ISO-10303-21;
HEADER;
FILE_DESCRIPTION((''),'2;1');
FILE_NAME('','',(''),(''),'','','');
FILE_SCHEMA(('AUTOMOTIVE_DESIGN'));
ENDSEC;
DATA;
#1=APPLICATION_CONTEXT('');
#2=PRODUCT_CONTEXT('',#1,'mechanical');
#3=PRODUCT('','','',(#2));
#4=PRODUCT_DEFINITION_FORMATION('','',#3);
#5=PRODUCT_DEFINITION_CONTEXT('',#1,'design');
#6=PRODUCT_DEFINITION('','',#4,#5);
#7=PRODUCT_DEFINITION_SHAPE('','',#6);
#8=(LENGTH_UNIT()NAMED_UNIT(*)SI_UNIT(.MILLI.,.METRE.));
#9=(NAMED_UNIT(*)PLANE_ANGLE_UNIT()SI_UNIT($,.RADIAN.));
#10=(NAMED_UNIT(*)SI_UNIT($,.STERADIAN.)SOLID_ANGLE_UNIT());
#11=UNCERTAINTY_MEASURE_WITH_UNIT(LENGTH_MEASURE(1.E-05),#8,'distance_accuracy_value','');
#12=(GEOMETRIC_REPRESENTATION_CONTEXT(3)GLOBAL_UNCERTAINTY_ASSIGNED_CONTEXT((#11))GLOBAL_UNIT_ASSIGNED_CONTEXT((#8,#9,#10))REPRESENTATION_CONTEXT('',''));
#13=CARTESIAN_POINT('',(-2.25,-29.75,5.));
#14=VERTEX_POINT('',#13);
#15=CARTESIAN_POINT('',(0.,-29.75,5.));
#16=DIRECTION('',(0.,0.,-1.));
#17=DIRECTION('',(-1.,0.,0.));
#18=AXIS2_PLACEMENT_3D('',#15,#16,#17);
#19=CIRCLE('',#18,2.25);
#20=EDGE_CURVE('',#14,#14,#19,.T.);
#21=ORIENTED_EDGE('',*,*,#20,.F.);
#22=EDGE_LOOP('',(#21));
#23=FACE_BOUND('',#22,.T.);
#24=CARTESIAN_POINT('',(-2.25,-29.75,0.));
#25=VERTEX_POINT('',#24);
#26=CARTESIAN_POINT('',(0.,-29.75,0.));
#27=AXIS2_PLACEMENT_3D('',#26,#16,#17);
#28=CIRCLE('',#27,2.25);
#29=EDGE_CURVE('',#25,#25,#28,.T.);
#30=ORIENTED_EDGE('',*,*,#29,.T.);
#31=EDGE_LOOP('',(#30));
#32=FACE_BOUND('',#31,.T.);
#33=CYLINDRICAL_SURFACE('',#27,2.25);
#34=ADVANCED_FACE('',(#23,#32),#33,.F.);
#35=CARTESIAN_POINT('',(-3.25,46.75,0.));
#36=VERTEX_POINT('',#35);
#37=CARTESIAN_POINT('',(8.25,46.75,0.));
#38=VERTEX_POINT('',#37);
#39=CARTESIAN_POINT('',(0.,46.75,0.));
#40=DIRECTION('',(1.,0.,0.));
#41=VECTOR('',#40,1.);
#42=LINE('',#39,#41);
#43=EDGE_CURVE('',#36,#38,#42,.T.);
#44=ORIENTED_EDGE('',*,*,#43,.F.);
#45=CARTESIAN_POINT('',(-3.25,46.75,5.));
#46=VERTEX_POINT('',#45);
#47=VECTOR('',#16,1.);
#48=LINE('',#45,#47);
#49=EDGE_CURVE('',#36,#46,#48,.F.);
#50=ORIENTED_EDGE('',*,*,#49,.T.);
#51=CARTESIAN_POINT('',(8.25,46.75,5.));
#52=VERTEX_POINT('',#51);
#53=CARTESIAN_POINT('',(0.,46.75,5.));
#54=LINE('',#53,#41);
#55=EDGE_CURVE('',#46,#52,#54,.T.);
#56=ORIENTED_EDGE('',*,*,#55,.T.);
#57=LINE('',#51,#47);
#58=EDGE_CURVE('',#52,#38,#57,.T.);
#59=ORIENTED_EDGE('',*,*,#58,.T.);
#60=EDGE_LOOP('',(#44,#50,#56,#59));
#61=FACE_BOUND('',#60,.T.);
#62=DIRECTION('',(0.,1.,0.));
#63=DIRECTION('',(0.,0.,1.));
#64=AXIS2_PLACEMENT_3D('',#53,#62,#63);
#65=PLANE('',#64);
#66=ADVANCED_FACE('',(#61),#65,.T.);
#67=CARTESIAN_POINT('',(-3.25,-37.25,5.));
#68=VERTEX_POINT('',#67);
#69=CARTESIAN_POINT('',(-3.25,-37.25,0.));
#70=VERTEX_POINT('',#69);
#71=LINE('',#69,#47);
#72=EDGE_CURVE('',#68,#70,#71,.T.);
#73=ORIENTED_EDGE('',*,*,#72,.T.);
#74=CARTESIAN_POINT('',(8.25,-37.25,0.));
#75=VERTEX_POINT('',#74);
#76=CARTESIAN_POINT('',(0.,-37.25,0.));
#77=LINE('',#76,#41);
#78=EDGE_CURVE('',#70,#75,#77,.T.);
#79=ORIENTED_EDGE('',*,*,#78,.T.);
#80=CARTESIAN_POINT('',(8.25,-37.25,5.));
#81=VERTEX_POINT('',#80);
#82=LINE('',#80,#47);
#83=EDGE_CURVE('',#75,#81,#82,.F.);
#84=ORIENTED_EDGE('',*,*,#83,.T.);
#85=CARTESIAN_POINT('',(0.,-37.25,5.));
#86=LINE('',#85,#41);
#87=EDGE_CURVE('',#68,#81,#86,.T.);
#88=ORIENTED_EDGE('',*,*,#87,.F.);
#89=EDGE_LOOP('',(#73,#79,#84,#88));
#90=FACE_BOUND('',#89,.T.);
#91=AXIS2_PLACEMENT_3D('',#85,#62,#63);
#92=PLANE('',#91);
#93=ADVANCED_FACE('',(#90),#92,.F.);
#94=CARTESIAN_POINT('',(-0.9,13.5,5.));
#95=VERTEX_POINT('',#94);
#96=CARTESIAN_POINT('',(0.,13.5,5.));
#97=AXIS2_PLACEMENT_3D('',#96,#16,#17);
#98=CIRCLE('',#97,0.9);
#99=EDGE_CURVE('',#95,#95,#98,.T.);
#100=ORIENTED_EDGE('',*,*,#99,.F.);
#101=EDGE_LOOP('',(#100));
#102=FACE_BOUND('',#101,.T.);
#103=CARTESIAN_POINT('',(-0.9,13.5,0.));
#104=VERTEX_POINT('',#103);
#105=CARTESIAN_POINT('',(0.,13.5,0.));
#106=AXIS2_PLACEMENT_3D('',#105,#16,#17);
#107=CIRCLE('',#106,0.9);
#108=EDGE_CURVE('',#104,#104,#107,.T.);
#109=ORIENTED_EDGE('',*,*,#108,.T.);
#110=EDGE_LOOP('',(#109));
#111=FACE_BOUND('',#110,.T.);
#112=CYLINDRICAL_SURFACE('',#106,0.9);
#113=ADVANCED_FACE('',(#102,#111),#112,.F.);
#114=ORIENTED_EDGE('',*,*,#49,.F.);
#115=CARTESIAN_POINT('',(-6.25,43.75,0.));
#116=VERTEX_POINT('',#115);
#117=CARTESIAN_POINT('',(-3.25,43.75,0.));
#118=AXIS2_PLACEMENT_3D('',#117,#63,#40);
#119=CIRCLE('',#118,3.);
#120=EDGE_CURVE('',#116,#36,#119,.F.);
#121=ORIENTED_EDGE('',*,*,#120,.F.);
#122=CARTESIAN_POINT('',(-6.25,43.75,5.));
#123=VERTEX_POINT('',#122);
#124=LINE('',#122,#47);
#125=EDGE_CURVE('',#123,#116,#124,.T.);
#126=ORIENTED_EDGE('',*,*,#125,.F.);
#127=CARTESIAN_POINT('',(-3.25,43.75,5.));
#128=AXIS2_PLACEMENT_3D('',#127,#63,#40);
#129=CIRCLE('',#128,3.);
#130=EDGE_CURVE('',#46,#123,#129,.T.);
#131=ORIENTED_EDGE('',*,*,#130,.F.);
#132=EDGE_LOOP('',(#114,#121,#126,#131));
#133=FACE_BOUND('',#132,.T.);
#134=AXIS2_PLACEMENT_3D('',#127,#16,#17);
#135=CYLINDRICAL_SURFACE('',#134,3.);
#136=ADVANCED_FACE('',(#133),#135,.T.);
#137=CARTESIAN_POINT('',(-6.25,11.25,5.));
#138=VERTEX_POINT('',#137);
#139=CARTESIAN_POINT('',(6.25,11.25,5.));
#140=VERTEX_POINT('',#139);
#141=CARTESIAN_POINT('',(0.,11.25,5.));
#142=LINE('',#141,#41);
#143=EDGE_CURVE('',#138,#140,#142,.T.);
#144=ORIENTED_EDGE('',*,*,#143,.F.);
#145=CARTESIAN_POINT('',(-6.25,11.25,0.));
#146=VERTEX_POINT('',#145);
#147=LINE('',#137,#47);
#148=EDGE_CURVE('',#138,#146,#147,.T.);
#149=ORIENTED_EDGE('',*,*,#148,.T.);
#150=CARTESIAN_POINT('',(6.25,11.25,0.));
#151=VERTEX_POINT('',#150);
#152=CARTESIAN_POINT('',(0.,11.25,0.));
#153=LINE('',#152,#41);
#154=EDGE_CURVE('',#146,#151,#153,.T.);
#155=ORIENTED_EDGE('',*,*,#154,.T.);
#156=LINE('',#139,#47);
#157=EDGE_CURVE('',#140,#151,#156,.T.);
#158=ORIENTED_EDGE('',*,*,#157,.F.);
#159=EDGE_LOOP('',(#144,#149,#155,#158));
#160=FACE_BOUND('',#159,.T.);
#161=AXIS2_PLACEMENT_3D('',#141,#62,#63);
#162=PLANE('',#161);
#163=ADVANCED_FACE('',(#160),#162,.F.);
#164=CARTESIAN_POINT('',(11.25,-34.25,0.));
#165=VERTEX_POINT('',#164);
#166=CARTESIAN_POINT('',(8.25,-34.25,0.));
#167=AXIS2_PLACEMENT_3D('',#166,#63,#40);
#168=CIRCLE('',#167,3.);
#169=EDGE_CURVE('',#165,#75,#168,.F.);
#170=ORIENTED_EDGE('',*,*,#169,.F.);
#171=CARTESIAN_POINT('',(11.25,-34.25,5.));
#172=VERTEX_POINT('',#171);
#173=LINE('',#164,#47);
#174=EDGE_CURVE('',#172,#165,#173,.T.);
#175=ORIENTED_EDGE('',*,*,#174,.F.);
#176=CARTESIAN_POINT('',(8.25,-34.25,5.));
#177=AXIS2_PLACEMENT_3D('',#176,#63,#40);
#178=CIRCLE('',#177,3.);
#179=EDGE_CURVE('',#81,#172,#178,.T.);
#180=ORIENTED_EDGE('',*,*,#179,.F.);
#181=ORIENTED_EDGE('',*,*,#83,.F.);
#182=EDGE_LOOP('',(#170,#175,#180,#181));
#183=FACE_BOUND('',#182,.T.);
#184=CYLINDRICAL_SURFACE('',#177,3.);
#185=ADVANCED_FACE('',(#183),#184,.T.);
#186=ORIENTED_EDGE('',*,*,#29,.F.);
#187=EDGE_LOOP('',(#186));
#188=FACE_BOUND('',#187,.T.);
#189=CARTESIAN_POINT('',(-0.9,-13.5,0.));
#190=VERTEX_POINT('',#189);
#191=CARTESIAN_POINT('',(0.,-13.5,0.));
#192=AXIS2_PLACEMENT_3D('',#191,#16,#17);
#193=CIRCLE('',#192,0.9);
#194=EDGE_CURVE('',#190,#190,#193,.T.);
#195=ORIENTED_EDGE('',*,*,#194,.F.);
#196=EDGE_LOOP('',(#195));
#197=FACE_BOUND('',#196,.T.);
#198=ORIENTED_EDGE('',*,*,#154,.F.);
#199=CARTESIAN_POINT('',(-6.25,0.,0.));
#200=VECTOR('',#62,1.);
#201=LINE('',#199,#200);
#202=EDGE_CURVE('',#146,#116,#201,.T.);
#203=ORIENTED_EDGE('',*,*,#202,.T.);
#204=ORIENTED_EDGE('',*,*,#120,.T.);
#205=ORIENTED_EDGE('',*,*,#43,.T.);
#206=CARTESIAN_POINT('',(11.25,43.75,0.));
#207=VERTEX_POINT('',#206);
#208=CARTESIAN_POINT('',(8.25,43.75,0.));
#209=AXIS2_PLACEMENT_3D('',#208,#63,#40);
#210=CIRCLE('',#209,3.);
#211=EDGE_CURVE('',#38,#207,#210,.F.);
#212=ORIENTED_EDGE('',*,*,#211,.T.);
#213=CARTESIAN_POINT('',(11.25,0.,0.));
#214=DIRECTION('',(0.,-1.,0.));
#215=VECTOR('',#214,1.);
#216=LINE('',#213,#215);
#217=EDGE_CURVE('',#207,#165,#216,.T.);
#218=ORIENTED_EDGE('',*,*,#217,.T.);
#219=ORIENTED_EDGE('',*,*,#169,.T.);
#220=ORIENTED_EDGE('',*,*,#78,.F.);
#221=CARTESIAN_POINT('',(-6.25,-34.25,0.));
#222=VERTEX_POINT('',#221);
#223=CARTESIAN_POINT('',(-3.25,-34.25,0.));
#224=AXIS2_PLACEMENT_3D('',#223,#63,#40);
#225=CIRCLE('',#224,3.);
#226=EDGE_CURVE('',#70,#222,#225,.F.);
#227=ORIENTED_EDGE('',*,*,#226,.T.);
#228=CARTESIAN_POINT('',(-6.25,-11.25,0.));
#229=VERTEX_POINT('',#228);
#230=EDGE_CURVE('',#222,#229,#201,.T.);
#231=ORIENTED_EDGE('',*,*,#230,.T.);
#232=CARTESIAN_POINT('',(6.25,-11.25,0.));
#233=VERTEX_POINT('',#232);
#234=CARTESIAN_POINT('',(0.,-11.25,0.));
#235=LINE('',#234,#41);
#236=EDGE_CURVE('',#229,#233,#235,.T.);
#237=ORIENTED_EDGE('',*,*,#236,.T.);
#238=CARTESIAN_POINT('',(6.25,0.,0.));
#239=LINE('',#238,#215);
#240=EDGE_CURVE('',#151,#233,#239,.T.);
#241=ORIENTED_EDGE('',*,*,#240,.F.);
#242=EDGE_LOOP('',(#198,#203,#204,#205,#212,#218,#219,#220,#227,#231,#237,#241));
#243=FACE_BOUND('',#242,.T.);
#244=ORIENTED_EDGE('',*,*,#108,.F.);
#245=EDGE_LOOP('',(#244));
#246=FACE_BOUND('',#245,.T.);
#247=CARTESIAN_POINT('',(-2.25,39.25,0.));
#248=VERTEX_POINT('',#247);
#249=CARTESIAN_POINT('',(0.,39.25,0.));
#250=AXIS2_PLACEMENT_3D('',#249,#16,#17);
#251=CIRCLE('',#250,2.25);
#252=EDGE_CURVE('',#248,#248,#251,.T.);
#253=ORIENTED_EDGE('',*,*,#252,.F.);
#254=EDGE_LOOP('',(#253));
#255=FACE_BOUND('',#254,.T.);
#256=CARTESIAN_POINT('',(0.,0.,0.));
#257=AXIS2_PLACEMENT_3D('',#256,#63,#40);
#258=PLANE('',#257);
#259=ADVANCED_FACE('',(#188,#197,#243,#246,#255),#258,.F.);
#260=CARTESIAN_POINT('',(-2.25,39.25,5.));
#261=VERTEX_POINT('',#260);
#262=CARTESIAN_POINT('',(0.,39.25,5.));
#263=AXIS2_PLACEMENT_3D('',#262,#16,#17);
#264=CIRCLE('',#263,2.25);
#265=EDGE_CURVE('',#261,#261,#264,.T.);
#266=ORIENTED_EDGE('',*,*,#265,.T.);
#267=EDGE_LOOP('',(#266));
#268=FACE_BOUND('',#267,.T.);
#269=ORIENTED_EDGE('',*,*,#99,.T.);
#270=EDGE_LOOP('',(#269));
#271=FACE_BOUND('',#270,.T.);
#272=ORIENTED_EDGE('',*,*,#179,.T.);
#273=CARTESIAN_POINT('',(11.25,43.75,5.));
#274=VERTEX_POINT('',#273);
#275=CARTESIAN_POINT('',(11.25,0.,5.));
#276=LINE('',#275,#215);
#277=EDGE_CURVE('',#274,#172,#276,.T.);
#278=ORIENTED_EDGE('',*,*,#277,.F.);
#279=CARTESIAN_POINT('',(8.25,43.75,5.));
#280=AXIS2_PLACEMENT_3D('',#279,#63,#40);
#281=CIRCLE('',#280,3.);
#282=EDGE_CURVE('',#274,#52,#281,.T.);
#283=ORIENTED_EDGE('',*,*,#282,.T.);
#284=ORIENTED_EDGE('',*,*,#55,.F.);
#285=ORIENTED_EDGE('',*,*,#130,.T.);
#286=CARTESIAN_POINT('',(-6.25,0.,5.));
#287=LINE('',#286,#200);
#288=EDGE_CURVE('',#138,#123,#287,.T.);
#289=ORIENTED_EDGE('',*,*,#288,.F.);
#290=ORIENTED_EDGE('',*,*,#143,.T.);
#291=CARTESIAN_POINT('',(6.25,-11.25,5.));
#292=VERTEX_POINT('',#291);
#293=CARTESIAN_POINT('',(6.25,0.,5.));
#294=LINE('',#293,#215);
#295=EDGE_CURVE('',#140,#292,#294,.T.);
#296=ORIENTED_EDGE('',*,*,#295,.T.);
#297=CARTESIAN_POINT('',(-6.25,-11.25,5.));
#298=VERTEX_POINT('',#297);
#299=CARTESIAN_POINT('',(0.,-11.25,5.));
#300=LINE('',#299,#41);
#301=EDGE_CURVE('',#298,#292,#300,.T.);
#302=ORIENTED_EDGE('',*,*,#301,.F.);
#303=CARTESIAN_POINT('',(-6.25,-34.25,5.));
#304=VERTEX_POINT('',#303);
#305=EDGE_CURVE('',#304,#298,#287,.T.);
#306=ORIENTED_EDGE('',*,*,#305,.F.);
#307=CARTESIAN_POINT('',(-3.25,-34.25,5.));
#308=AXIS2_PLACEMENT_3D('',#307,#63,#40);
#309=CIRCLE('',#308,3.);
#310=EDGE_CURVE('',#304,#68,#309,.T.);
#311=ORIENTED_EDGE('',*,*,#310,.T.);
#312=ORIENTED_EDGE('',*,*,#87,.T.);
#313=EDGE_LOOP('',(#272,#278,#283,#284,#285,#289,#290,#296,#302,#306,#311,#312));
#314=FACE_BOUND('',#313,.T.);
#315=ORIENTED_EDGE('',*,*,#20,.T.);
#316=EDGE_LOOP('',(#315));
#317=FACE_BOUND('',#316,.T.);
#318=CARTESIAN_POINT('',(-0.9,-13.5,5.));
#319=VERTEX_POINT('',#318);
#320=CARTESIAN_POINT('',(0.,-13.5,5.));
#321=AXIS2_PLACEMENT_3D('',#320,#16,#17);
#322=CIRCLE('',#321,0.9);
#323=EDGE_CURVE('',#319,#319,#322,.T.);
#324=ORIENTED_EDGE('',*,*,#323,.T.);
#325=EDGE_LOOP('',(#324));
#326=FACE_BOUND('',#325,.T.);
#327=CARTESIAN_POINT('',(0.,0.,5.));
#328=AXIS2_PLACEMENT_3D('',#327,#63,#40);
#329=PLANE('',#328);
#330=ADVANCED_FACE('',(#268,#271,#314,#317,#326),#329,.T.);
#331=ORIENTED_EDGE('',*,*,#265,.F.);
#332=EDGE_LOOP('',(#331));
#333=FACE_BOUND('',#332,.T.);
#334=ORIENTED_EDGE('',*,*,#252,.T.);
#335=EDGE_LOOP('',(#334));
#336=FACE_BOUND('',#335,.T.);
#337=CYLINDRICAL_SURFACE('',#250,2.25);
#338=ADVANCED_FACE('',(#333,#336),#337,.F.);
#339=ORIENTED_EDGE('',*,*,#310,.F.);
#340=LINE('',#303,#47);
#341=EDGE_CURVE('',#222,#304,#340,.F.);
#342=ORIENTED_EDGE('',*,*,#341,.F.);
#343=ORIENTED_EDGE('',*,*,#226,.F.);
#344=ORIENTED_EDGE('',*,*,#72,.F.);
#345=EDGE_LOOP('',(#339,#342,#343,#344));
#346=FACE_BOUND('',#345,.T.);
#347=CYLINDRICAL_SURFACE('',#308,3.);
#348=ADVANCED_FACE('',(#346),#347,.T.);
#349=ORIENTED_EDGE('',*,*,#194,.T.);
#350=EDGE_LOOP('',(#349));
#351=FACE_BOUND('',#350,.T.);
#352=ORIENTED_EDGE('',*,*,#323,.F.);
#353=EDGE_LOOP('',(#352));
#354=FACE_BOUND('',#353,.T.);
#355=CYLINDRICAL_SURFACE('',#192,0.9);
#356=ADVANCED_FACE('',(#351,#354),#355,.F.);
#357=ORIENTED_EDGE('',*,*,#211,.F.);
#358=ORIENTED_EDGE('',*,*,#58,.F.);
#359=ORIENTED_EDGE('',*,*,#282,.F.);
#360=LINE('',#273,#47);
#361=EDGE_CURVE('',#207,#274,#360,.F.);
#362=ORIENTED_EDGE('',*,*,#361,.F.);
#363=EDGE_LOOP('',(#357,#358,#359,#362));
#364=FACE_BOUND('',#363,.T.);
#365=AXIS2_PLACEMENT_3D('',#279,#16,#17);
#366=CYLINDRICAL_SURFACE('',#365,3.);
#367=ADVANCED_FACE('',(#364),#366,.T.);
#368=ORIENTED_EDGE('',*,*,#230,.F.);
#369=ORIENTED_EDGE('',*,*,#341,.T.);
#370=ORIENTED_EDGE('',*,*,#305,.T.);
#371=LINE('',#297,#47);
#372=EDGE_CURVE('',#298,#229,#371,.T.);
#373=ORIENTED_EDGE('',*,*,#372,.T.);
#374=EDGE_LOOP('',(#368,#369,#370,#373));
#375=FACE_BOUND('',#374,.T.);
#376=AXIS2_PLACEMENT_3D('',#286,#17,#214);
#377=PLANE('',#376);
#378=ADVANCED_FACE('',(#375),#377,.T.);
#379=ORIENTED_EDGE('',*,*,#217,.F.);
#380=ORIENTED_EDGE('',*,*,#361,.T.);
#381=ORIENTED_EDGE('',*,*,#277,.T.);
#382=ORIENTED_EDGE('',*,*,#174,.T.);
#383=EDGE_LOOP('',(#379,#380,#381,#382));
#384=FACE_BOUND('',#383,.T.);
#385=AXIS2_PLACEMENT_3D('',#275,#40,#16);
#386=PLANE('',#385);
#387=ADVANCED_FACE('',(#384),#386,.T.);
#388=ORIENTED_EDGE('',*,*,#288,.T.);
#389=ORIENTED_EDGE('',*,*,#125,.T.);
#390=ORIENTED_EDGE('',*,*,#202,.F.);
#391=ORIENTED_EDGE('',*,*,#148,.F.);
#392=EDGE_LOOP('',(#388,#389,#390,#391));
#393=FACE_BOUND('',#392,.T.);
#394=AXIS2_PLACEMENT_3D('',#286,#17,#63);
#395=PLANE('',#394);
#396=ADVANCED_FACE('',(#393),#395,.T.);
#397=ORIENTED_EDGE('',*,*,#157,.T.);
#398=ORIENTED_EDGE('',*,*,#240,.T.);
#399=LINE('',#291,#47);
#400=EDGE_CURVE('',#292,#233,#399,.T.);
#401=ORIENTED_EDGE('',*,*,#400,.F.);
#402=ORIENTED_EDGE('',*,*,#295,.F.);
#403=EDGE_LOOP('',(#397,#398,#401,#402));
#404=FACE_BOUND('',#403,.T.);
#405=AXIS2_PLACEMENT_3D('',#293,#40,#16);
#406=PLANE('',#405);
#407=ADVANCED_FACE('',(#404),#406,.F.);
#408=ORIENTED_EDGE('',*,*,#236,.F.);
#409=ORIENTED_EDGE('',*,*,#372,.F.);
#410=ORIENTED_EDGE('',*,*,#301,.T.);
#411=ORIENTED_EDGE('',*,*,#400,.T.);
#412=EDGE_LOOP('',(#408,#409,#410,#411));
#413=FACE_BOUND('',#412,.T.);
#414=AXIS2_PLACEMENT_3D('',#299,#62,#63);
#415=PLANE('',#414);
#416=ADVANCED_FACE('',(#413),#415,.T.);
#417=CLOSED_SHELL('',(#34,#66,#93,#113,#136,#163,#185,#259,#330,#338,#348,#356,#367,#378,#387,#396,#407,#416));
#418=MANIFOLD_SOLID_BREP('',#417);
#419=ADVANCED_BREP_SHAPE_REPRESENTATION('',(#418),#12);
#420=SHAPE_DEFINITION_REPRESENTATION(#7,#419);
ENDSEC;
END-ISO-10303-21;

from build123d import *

# Parameters (mm, degrees)
BOSS_EXTRUDE1_DEPTH    = 5
M4_CLEARANCE_HOLE1_D   = 4.5
FILLET1_R              = 3
M1_6_CLEARANCE_HOLE1_D = 1.8


with BuildPart() as part:
    # Sketch2 → Boss-Extrude1 (new body)
    with BuildSketch(Plane.XY):
        Polygon((11.25, 46.75), (-6.25, 46.75), (-6.25, 11.25), (6.25, 11.25), (6.25, -11.25), (-6.25, -11.25), (-6.25, -37.25), (11.25, -37.25), align=None)
    extrude(amount=BOSS_EXTRUDE1_DEPTH)

    # M4 Clearance Hole1 (through all)
    with Locations(Plane(origin=(0, 0, 0), x_dir=(1, 0, 0), z_dir=(0, 0, -1))):
        with Locations((0, -39.25), (0, 29.75)):
            Hole(M4_CLEARANCE_HOLE1_D / 2)

    # Fillet1
    fillet1_edges = [part.edges().sort_by_distance(p)[0] for p in [
        (-6.25, 46.75, 2.5),
        (11.25, 46.75, 2.5),
        (11.25, -37.25, 2.5),
        (-6.25, -37.25, 2.5),
    ]]
    fillet(fillet1_edges, radius=FILLET1_R)

    # M1.6 Clearance Hole1 (through all)
    with Locations(Plane(origin=(0, 0, 0), x_dir=(1, 0, 0), z_dir=(0, 0, -1))):
        with Locations((0, -13.5), (0, 13.5)):
            Hole(M1_6_CLEARANCE_HOLE1_D / 2)


solid = part.part
